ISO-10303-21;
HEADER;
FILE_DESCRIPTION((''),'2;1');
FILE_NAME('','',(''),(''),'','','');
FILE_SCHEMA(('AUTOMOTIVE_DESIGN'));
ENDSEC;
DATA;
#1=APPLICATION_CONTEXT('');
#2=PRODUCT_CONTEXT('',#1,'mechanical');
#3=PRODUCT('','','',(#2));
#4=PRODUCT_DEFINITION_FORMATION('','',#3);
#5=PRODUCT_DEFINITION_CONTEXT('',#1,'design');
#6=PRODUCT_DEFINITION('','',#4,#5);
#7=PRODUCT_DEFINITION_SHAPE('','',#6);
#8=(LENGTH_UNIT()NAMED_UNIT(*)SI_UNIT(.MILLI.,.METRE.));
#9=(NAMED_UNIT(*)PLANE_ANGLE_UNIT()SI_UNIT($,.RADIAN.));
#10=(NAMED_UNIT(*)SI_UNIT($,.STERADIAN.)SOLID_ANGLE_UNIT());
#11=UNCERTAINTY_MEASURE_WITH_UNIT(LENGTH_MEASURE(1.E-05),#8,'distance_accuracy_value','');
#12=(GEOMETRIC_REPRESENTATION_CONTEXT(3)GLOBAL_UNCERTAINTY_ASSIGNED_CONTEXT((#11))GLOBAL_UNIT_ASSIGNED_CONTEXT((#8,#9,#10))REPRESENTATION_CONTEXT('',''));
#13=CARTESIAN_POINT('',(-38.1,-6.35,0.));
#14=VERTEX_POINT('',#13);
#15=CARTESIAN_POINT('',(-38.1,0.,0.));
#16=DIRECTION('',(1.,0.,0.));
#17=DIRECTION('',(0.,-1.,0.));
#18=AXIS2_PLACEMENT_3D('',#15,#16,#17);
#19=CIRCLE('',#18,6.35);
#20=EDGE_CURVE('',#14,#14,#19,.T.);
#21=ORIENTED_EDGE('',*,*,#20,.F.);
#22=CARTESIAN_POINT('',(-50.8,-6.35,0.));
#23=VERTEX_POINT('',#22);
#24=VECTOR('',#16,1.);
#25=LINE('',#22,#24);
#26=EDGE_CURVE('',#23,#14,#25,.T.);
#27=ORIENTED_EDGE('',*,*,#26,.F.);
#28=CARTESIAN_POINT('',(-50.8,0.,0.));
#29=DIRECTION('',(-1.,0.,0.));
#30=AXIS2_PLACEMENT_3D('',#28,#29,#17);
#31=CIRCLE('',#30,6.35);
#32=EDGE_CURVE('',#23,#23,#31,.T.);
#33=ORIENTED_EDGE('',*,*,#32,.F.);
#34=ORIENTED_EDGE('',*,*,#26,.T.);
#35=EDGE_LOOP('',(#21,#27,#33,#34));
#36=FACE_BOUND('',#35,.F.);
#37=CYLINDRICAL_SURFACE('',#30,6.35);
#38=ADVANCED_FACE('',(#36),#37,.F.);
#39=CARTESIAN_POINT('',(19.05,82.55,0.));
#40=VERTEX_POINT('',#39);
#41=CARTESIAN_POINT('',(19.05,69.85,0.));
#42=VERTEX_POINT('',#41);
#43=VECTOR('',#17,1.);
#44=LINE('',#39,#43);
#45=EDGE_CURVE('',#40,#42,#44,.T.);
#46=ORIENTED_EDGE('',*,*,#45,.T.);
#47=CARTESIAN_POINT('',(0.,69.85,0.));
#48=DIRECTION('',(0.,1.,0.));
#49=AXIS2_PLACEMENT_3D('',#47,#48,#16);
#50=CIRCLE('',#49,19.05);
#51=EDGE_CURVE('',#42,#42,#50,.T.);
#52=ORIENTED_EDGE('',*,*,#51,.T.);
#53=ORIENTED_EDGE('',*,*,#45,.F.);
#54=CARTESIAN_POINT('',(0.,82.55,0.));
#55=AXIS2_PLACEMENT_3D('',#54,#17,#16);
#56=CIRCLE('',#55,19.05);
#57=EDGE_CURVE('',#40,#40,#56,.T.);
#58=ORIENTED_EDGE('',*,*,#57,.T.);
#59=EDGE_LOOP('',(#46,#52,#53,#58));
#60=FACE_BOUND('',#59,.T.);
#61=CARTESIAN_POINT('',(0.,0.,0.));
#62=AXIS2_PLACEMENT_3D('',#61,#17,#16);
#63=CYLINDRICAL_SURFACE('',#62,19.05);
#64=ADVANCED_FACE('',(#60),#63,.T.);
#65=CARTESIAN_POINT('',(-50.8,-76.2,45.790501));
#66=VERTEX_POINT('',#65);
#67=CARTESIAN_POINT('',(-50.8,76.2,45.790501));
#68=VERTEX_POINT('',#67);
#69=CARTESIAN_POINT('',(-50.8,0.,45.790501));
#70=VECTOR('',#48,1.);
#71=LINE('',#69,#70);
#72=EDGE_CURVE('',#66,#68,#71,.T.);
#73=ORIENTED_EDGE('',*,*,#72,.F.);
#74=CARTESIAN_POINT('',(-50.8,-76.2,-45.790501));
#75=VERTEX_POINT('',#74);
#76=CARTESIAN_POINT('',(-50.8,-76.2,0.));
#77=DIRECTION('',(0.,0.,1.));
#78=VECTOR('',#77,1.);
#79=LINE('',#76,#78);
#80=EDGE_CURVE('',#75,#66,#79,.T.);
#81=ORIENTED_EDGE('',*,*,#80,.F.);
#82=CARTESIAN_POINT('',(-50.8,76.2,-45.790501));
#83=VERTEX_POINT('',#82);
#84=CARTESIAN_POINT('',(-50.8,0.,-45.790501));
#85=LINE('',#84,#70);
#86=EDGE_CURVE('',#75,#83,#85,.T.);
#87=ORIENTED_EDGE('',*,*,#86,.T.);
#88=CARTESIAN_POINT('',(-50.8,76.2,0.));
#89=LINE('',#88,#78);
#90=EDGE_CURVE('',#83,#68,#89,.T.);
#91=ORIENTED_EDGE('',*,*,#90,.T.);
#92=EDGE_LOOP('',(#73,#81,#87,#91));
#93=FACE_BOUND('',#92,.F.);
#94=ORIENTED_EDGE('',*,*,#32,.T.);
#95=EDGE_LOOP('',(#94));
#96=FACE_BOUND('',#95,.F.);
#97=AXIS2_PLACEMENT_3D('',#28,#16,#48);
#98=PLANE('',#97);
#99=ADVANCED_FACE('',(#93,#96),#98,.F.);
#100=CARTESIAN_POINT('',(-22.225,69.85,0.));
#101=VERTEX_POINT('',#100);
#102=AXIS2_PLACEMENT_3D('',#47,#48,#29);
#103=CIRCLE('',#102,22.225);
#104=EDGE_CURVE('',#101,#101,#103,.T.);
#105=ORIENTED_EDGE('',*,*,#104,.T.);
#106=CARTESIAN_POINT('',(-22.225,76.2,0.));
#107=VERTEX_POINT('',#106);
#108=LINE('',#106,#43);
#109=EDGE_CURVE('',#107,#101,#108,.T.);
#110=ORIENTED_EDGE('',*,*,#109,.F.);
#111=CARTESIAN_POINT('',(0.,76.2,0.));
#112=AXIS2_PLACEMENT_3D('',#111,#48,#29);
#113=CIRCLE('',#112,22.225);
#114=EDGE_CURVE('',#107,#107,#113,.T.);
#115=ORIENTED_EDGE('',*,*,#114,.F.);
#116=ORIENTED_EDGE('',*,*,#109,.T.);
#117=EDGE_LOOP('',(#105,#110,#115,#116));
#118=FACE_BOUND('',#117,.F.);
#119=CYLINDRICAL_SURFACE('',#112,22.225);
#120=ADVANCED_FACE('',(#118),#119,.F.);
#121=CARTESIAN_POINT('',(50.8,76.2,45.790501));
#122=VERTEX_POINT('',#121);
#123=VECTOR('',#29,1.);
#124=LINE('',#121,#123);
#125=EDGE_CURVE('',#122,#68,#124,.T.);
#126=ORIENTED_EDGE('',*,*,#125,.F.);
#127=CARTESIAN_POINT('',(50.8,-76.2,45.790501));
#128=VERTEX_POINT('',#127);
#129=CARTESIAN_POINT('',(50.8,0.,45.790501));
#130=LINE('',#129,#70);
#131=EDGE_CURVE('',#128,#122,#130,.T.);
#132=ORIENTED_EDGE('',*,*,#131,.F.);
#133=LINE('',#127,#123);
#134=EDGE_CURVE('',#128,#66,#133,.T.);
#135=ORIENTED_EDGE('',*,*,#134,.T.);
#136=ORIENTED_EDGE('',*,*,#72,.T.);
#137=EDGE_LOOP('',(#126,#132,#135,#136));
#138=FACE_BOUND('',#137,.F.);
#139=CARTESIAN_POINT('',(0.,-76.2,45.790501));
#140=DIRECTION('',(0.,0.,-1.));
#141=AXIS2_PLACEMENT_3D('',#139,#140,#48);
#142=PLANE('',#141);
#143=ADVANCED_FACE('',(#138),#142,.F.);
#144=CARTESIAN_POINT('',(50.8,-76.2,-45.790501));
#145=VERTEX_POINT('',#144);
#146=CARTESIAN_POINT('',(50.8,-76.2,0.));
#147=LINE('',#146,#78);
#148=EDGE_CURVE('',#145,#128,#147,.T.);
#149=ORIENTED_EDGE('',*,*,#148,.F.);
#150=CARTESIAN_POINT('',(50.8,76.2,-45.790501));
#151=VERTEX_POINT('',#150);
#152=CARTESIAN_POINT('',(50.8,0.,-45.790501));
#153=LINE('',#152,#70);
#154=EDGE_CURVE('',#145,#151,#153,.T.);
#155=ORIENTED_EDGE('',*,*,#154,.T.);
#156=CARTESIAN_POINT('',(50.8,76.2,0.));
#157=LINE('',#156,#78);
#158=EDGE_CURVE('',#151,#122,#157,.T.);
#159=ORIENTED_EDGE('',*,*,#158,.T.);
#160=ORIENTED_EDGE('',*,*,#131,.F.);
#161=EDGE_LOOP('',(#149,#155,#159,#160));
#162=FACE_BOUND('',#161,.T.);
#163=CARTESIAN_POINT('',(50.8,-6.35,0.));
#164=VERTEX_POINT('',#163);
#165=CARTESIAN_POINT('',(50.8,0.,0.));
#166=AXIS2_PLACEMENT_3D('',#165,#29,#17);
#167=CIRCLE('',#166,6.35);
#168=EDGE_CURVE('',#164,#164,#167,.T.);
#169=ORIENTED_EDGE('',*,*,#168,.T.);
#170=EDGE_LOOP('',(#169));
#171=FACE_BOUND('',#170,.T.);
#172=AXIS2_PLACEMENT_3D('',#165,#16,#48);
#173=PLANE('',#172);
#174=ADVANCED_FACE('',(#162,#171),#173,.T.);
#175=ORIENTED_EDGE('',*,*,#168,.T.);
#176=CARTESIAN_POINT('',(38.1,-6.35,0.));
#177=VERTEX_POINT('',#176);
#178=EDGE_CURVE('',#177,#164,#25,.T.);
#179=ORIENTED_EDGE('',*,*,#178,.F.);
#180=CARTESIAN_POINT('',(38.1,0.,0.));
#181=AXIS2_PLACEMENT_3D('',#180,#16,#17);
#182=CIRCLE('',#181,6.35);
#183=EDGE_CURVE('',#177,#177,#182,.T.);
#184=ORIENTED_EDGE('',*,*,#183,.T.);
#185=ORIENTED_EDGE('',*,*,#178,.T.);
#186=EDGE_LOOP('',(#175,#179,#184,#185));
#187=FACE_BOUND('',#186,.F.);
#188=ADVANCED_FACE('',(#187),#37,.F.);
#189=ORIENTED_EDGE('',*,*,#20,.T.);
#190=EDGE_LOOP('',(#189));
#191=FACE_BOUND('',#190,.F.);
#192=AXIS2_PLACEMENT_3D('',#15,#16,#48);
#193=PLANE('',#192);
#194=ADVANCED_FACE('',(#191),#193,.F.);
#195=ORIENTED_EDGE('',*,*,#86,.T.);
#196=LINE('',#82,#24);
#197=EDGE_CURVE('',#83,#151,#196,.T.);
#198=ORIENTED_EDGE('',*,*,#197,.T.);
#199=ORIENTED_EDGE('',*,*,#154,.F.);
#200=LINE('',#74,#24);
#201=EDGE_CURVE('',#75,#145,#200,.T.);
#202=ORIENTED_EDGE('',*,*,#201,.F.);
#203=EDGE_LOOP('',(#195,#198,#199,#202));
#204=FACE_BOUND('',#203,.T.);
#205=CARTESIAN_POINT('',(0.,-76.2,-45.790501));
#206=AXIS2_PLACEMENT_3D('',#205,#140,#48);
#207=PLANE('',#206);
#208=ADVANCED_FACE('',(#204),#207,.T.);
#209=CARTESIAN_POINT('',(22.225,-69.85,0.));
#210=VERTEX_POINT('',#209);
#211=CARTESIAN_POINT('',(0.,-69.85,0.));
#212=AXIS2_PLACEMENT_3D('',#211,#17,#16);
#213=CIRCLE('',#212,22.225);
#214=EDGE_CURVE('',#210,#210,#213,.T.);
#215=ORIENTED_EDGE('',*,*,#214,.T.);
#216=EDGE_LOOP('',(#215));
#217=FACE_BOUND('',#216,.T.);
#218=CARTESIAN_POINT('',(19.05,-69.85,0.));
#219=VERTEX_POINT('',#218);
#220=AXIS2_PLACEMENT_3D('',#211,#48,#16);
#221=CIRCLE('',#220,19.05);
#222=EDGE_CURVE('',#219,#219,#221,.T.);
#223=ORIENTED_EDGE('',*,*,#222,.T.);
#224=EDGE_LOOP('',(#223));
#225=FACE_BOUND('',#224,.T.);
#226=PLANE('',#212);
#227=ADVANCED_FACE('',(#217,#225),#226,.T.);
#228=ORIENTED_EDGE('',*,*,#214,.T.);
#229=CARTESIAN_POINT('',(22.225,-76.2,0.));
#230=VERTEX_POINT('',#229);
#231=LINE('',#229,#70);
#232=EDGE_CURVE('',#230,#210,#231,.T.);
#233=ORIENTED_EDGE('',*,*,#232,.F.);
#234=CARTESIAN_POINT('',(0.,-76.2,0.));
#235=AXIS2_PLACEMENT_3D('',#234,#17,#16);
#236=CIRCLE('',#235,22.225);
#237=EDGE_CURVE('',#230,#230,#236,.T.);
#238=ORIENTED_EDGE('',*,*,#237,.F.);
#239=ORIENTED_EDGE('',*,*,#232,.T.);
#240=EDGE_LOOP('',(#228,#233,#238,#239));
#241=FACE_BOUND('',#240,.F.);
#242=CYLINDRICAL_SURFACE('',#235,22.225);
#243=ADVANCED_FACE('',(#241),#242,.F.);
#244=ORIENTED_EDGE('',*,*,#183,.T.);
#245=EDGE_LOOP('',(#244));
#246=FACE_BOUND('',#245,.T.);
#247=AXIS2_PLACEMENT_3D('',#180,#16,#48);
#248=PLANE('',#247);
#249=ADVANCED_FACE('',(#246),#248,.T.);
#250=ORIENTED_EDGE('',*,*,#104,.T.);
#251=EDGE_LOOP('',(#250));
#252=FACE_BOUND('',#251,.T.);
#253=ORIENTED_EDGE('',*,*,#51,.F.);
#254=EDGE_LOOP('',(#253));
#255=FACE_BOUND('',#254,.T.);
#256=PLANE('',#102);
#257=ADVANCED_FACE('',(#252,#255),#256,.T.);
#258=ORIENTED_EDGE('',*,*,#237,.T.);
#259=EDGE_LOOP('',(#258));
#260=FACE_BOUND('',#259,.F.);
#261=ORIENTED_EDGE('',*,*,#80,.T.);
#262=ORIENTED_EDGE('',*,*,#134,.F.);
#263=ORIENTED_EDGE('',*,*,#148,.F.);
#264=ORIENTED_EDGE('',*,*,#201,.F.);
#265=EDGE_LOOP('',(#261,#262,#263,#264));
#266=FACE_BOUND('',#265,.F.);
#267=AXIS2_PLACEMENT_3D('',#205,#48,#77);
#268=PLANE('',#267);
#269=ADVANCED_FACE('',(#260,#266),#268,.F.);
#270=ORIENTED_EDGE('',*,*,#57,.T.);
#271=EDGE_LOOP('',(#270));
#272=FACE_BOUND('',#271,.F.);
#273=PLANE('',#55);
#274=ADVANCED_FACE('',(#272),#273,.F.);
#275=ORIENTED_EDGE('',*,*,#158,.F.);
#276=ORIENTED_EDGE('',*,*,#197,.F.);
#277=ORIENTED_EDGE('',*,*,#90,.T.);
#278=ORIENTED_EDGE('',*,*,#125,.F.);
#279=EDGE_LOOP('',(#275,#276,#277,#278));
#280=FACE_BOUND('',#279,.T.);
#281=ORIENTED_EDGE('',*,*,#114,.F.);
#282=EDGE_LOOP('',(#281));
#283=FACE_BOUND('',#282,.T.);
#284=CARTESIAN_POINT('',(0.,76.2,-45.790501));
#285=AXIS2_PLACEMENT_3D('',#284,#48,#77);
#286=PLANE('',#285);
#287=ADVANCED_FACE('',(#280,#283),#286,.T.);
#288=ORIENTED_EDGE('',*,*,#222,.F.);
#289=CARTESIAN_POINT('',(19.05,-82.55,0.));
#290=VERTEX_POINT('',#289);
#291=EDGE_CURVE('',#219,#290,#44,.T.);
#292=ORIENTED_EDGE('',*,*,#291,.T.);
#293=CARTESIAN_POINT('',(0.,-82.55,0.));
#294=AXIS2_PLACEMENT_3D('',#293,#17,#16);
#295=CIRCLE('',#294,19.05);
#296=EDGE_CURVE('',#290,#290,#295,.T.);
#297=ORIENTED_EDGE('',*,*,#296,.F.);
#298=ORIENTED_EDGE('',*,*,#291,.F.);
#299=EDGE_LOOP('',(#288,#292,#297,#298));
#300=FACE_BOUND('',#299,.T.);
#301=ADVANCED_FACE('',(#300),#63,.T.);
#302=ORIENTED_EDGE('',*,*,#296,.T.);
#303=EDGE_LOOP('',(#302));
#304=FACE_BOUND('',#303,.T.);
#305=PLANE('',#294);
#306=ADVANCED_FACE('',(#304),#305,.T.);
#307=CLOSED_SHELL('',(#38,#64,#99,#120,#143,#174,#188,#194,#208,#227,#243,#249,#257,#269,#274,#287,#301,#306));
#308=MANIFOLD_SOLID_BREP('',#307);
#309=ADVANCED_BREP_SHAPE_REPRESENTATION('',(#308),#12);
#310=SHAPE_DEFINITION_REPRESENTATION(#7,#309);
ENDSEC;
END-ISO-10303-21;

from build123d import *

# Parameters (mm, degrees)
F0_W      = 152.4
F0_H      = 91.581002
F1_DEPTH  = 50.8
F2_R      = 19.05
F3_DEPTH  = 152.4
F2_R_2    = 22.225
F4_DEPTH  = 6.35
F5_R      = 22.225
F5_R_2    = 19.05
F6_DEPTH  = 6.35
F7_R      = 19.05
F8_DEPTH  = 82.55
F10_R     = 6.35
F11_DEPTH = 152.4
F12_R     = 6.35
F13_DEPTH = 38.1


with BuildPart() as f1:
    # F0 (on Right) → F1 (new body, symmetric)
    with BuildSketch(Plane.YZ):
        Rectangle(F0_W, F0_H)
    extrude(amount=F1_DEPTH, both=True)

    # F2 (on face) → F3 (cut, symmetric)
    with BuildSketch(Plane(origin=(0, 76.2, 0), x_dir=(-1, 0, 0), z_dir=(0, 1, 0))):
        Circle(F2_R)
    extrude(amount=F3_DEPTH, both=True, mode=Mode.SUBTRACT)

    # F2 (on face) → F4 (cut)
    with BuildSketch(Plane(origin=(0, 76.2, 0), x_dir=(-1, 0, 0), z_dir=(0, 1, 0))):
        Circle(F2_R_2)
        Circle(F2_R, mode=Mode.SUBTRACT)
    extrude(amount=-F4_DEPTH, mode=Mode.SUBTRACT)

    # F5 (on face) → F6 (cut)
    with BuildSketch(Plane.XZ.offset(76.2)):
        Circle(F5_R)
        Circle(F5_R_2, mode=Mode.SUBTRACT)
    extrude(amount=-F6_DEPTH, mode=Mode.SUBTRACT)

    # F7 (on Front) → F8 (join, symmetric)
    with BuildSketch(Plane.XZ):
        Circle(F7_R)
    extrude(amount=F8_DEPTH, both=True)

    # F10 (on face) → F11 (cut)
    with BuildSketch(Plane(origin=(-50.8, 0, 0), x_dir=(0, -1, 0), z_dir=(-1, 0, 0))):
        Circle(F10_R)
    extrude(amount=-F11_DEPTH, mode=Mode.SUBTRACT)

    # F12 (on Right) → F13 (join, symmetric)
    with BuildSketch(Plane.YZ):
        Circle(F12_R)
    extrude(amount=F13_DEPTH, both=True)


solid = f1.part
